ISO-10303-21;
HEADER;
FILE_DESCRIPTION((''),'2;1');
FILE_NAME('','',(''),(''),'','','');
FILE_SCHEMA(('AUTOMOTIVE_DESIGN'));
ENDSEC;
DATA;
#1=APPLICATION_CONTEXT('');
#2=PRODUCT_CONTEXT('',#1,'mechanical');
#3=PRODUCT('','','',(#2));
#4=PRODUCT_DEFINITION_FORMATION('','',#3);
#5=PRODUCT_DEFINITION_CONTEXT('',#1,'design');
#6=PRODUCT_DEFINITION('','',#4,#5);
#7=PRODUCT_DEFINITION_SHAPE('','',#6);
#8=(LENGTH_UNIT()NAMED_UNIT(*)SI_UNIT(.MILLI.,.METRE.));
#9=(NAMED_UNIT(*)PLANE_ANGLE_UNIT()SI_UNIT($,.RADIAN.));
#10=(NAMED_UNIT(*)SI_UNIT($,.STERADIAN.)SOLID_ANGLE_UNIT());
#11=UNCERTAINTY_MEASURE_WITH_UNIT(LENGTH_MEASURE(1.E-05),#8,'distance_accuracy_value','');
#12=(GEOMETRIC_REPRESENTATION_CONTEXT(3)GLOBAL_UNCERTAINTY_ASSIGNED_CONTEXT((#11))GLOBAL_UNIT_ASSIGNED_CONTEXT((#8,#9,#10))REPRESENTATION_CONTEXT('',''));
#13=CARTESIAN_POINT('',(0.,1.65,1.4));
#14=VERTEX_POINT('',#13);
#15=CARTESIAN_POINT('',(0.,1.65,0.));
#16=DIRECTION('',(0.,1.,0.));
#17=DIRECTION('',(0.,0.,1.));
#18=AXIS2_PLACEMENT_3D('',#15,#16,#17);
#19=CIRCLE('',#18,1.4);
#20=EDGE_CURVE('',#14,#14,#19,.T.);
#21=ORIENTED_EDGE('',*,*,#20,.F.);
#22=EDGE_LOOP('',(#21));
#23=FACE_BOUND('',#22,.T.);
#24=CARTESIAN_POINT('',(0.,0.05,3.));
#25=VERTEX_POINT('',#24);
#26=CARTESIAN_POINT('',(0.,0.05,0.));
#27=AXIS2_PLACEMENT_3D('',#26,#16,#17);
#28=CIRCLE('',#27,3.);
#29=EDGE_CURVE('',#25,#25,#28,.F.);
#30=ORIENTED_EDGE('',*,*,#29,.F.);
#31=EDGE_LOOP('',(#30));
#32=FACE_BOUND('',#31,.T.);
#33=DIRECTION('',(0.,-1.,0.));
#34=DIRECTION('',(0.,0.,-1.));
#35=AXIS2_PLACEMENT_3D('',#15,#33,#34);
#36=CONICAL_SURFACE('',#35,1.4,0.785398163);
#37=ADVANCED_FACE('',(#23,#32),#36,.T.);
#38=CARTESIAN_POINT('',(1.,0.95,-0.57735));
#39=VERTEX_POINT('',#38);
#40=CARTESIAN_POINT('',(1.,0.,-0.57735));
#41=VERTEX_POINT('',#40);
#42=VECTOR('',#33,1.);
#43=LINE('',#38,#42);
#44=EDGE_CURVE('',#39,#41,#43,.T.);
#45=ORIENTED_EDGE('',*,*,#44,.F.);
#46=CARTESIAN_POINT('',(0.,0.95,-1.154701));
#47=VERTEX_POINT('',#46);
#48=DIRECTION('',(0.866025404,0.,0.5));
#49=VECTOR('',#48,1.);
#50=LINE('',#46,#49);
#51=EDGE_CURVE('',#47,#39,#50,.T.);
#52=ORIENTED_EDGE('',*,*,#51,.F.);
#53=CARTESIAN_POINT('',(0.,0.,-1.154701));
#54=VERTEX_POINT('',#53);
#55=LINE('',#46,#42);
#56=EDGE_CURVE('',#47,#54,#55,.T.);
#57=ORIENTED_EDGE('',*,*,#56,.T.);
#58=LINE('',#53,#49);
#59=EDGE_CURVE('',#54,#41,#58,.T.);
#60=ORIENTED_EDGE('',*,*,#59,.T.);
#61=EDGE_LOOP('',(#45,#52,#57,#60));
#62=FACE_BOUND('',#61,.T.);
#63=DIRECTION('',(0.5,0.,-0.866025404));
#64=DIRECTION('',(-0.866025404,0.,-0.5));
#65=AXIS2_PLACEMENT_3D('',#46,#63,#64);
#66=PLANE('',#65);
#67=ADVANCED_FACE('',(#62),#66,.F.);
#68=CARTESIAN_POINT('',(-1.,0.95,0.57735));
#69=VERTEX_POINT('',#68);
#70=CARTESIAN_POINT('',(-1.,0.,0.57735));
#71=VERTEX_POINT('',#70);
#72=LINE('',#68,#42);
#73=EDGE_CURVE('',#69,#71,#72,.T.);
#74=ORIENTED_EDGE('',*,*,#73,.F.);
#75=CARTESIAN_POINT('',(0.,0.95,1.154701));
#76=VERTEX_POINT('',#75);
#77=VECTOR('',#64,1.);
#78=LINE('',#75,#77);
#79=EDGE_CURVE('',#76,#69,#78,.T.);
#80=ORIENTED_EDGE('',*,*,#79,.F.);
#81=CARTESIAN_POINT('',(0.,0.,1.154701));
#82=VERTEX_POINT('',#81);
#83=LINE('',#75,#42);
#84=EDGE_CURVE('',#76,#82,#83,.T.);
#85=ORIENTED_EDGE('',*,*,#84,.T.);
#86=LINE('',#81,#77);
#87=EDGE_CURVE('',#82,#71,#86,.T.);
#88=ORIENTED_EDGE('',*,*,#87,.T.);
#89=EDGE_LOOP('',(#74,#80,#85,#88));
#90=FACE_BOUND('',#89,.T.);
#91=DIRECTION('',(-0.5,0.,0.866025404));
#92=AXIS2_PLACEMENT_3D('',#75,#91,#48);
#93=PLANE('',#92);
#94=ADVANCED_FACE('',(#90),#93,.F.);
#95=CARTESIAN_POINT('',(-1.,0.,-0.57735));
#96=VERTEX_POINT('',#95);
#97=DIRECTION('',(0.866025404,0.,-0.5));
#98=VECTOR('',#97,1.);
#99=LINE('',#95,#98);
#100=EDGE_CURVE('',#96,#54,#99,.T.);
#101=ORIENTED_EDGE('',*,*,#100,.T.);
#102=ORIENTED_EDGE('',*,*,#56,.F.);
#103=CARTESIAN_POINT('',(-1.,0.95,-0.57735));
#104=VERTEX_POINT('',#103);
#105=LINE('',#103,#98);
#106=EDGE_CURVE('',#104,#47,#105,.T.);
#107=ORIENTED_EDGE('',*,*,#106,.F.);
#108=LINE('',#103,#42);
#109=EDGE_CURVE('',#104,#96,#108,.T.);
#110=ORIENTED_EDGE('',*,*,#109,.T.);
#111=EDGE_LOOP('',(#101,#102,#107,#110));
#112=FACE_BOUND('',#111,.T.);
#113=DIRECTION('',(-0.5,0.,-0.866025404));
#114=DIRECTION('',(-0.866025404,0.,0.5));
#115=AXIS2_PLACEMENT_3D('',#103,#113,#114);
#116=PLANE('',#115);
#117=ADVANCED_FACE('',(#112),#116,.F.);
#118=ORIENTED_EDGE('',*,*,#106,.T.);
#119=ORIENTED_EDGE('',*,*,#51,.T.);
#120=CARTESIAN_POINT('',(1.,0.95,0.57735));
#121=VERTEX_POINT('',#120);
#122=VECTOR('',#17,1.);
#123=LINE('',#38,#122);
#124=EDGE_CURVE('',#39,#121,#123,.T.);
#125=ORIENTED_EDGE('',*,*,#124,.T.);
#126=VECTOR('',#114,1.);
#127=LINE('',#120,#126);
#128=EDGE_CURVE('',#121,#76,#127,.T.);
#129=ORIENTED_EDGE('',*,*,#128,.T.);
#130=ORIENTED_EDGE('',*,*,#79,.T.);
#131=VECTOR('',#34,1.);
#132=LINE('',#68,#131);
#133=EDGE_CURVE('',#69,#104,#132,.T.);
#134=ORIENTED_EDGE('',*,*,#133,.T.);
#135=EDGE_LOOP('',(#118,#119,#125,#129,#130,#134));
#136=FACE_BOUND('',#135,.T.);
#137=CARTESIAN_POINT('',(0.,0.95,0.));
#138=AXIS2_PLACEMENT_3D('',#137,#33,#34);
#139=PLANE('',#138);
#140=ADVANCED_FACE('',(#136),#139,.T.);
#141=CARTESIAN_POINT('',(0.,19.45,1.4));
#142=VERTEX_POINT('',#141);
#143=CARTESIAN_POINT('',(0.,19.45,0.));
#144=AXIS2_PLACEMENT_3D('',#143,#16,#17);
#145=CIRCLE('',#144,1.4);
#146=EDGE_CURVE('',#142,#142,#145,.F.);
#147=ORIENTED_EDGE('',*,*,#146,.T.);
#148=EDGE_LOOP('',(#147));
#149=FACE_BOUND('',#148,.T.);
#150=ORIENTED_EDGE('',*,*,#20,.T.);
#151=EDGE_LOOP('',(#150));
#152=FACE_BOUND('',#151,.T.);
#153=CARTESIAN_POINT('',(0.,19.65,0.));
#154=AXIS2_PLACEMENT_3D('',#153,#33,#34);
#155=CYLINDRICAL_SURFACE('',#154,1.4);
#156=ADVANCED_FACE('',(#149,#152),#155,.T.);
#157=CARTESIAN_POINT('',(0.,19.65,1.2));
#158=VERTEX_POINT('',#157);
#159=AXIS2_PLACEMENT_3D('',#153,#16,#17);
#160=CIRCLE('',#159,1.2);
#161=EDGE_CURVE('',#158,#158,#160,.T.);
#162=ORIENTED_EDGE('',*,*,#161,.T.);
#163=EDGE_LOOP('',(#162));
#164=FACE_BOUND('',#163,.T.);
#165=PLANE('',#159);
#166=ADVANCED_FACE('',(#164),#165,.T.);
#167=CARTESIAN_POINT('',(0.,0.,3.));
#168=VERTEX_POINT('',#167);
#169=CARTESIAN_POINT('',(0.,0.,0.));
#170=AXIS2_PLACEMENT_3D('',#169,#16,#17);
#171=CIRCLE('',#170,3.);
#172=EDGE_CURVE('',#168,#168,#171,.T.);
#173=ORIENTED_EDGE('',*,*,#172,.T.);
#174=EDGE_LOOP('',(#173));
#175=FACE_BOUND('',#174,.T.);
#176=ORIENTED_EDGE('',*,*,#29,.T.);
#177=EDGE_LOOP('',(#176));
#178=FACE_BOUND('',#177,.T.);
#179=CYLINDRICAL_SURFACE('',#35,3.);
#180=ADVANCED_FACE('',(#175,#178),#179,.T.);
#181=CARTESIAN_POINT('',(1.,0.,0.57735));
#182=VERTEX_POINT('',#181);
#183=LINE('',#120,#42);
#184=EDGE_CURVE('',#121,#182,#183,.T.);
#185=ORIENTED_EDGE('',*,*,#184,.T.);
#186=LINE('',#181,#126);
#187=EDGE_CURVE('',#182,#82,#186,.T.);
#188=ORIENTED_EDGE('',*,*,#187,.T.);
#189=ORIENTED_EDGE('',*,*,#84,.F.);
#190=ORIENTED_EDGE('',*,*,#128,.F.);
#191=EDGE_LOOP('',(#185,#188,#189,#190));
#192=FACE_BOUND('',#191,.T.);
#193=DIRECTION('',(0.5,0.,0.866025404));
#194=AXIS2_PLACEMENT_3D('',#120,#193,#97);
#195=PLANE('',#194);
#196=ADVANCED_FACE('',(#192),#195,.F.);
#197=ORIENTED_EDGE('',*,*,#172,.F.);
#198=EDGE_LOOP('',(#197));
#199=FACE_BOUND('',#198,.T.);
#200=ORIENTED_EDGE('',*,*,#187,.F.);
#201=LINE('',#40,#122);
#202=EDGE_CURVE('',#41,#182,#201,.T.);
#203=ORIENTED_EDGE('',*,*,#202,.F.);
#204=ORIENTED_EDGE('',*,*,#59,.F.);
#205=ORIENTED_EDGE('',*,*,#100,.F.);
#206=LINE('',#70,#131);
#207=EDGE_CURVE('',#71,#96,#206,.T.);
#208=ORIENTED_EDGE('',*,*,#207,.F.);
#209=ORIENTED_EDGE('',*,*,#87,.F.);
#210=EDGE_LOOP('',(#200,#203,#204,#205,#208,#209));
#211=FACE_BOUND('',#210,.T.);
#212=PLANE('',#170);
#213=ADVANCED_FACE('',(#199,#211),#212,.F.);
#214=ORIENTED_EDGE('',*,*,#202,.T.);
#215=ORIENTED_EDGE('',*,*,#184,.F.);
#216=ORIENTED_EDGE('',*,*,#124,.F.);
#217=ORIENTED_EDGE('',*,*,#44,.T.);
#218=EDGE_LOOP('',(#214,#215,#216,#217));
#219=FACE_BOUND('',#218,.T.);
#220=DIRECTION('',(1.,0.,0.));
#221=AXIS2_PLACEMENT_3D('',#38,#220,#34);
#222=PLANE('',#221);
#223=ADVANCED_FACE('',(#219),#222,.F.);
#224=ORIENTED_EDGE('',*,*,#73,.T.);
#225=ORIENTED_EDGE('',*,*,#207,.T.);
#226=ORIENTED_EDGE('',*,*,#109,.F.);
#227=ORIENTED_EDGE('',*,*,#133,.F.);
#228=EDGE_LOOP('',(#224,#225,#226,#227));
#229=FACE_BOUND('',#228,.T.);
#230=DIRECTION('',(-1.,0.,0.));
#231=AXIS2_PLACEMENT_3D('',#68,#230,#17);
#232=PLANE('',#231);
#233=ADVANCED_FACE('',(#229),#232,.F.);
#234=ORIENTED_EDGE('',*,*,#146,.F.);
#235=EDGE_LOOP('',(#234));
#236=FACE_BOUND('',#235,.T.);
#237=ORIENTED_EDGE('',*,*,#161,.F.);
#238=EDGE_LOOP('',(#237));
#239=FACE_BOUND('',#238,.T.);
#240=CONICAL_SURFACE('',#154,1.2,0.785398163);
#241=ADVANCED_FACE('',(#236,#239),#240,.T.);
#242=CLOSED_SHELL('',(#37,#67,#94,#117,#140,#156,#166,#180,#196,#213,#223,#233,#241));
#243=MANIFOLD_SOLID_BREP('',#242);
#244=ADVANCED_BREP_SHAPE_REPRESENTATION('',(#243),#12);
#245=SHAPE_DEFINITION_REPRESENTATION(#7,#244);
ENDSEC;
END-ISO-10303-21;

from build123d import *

# Parameters (mm, degrees)
SKETCH_1_R          = 3
EXTRUDE_1_DEPTH     = 1.65
CHAMFER_1_SIZE      = 1.6
CUT_EXTRUDE_1_DEPTH = 0.95
SKETCH_3_R          = 1.4
EXTRUDE_2_DEPTH     = 18
CHAMFER_2_SIZE      = 0.2


with BuildPart() as part:
    # 草图1 → 凸台-拉伸1 (new body)
    with BuildSketch(Plane(origin=(0, 0, 0), x_dir=(1, 0, 0), z_dir=(0, 1, 0))):
        with Locations(Location((0, 0, 0), (0, 0, 270))):
            Circle(SKETCH_1_R)
    extrude(amount=EXTRUDE_1_DEPTH)

    # 倒角1
    chamfer_1_edges = [part.edges().sort_by_distance(p)[0] for p in [
        (0, 1.65, -3),
    ]]
    chamfer(chamfer_1_edges, length=CHAMFER_1_SIZE)

    # 草图2 → 切除-拉伸1 (cut)
    with BuildSketch(Plane.XZ):
        Polygon((1, -0.577350269), (1, 0.577350269), (0, 1.154700538), (-1, 0.577350269), (-1, -0.577350269), (0, -1.154700538), align=None)
    extrude(amount=-CUT_EXTRUDE_1_DEPTH, mode=Mode.SUBTRACT)

    # 草图3 → 凸台-拉伸2 (add)
    with BuildSketch(Plane(origin=(0, 1.65, 0), x_dir=(1, 0, 0), z_dir=(0, 1, 0))):
        with Locations(Location((0, 0, 0), (0, 0, 270))):
            Circle(SKETCH_3_R)
    extrude(amount=EXTRUDE_2_DEPTH)

    # 倒角2
    chamfer_2_edges = [part.edges().sort_by_distance(p)[0] for p in [
        (0, 19.65, -1.4),
    ]]
    chamfer(chamfer_2_edges, length=CHAMFER_2_SIZE)


solid = part.part
